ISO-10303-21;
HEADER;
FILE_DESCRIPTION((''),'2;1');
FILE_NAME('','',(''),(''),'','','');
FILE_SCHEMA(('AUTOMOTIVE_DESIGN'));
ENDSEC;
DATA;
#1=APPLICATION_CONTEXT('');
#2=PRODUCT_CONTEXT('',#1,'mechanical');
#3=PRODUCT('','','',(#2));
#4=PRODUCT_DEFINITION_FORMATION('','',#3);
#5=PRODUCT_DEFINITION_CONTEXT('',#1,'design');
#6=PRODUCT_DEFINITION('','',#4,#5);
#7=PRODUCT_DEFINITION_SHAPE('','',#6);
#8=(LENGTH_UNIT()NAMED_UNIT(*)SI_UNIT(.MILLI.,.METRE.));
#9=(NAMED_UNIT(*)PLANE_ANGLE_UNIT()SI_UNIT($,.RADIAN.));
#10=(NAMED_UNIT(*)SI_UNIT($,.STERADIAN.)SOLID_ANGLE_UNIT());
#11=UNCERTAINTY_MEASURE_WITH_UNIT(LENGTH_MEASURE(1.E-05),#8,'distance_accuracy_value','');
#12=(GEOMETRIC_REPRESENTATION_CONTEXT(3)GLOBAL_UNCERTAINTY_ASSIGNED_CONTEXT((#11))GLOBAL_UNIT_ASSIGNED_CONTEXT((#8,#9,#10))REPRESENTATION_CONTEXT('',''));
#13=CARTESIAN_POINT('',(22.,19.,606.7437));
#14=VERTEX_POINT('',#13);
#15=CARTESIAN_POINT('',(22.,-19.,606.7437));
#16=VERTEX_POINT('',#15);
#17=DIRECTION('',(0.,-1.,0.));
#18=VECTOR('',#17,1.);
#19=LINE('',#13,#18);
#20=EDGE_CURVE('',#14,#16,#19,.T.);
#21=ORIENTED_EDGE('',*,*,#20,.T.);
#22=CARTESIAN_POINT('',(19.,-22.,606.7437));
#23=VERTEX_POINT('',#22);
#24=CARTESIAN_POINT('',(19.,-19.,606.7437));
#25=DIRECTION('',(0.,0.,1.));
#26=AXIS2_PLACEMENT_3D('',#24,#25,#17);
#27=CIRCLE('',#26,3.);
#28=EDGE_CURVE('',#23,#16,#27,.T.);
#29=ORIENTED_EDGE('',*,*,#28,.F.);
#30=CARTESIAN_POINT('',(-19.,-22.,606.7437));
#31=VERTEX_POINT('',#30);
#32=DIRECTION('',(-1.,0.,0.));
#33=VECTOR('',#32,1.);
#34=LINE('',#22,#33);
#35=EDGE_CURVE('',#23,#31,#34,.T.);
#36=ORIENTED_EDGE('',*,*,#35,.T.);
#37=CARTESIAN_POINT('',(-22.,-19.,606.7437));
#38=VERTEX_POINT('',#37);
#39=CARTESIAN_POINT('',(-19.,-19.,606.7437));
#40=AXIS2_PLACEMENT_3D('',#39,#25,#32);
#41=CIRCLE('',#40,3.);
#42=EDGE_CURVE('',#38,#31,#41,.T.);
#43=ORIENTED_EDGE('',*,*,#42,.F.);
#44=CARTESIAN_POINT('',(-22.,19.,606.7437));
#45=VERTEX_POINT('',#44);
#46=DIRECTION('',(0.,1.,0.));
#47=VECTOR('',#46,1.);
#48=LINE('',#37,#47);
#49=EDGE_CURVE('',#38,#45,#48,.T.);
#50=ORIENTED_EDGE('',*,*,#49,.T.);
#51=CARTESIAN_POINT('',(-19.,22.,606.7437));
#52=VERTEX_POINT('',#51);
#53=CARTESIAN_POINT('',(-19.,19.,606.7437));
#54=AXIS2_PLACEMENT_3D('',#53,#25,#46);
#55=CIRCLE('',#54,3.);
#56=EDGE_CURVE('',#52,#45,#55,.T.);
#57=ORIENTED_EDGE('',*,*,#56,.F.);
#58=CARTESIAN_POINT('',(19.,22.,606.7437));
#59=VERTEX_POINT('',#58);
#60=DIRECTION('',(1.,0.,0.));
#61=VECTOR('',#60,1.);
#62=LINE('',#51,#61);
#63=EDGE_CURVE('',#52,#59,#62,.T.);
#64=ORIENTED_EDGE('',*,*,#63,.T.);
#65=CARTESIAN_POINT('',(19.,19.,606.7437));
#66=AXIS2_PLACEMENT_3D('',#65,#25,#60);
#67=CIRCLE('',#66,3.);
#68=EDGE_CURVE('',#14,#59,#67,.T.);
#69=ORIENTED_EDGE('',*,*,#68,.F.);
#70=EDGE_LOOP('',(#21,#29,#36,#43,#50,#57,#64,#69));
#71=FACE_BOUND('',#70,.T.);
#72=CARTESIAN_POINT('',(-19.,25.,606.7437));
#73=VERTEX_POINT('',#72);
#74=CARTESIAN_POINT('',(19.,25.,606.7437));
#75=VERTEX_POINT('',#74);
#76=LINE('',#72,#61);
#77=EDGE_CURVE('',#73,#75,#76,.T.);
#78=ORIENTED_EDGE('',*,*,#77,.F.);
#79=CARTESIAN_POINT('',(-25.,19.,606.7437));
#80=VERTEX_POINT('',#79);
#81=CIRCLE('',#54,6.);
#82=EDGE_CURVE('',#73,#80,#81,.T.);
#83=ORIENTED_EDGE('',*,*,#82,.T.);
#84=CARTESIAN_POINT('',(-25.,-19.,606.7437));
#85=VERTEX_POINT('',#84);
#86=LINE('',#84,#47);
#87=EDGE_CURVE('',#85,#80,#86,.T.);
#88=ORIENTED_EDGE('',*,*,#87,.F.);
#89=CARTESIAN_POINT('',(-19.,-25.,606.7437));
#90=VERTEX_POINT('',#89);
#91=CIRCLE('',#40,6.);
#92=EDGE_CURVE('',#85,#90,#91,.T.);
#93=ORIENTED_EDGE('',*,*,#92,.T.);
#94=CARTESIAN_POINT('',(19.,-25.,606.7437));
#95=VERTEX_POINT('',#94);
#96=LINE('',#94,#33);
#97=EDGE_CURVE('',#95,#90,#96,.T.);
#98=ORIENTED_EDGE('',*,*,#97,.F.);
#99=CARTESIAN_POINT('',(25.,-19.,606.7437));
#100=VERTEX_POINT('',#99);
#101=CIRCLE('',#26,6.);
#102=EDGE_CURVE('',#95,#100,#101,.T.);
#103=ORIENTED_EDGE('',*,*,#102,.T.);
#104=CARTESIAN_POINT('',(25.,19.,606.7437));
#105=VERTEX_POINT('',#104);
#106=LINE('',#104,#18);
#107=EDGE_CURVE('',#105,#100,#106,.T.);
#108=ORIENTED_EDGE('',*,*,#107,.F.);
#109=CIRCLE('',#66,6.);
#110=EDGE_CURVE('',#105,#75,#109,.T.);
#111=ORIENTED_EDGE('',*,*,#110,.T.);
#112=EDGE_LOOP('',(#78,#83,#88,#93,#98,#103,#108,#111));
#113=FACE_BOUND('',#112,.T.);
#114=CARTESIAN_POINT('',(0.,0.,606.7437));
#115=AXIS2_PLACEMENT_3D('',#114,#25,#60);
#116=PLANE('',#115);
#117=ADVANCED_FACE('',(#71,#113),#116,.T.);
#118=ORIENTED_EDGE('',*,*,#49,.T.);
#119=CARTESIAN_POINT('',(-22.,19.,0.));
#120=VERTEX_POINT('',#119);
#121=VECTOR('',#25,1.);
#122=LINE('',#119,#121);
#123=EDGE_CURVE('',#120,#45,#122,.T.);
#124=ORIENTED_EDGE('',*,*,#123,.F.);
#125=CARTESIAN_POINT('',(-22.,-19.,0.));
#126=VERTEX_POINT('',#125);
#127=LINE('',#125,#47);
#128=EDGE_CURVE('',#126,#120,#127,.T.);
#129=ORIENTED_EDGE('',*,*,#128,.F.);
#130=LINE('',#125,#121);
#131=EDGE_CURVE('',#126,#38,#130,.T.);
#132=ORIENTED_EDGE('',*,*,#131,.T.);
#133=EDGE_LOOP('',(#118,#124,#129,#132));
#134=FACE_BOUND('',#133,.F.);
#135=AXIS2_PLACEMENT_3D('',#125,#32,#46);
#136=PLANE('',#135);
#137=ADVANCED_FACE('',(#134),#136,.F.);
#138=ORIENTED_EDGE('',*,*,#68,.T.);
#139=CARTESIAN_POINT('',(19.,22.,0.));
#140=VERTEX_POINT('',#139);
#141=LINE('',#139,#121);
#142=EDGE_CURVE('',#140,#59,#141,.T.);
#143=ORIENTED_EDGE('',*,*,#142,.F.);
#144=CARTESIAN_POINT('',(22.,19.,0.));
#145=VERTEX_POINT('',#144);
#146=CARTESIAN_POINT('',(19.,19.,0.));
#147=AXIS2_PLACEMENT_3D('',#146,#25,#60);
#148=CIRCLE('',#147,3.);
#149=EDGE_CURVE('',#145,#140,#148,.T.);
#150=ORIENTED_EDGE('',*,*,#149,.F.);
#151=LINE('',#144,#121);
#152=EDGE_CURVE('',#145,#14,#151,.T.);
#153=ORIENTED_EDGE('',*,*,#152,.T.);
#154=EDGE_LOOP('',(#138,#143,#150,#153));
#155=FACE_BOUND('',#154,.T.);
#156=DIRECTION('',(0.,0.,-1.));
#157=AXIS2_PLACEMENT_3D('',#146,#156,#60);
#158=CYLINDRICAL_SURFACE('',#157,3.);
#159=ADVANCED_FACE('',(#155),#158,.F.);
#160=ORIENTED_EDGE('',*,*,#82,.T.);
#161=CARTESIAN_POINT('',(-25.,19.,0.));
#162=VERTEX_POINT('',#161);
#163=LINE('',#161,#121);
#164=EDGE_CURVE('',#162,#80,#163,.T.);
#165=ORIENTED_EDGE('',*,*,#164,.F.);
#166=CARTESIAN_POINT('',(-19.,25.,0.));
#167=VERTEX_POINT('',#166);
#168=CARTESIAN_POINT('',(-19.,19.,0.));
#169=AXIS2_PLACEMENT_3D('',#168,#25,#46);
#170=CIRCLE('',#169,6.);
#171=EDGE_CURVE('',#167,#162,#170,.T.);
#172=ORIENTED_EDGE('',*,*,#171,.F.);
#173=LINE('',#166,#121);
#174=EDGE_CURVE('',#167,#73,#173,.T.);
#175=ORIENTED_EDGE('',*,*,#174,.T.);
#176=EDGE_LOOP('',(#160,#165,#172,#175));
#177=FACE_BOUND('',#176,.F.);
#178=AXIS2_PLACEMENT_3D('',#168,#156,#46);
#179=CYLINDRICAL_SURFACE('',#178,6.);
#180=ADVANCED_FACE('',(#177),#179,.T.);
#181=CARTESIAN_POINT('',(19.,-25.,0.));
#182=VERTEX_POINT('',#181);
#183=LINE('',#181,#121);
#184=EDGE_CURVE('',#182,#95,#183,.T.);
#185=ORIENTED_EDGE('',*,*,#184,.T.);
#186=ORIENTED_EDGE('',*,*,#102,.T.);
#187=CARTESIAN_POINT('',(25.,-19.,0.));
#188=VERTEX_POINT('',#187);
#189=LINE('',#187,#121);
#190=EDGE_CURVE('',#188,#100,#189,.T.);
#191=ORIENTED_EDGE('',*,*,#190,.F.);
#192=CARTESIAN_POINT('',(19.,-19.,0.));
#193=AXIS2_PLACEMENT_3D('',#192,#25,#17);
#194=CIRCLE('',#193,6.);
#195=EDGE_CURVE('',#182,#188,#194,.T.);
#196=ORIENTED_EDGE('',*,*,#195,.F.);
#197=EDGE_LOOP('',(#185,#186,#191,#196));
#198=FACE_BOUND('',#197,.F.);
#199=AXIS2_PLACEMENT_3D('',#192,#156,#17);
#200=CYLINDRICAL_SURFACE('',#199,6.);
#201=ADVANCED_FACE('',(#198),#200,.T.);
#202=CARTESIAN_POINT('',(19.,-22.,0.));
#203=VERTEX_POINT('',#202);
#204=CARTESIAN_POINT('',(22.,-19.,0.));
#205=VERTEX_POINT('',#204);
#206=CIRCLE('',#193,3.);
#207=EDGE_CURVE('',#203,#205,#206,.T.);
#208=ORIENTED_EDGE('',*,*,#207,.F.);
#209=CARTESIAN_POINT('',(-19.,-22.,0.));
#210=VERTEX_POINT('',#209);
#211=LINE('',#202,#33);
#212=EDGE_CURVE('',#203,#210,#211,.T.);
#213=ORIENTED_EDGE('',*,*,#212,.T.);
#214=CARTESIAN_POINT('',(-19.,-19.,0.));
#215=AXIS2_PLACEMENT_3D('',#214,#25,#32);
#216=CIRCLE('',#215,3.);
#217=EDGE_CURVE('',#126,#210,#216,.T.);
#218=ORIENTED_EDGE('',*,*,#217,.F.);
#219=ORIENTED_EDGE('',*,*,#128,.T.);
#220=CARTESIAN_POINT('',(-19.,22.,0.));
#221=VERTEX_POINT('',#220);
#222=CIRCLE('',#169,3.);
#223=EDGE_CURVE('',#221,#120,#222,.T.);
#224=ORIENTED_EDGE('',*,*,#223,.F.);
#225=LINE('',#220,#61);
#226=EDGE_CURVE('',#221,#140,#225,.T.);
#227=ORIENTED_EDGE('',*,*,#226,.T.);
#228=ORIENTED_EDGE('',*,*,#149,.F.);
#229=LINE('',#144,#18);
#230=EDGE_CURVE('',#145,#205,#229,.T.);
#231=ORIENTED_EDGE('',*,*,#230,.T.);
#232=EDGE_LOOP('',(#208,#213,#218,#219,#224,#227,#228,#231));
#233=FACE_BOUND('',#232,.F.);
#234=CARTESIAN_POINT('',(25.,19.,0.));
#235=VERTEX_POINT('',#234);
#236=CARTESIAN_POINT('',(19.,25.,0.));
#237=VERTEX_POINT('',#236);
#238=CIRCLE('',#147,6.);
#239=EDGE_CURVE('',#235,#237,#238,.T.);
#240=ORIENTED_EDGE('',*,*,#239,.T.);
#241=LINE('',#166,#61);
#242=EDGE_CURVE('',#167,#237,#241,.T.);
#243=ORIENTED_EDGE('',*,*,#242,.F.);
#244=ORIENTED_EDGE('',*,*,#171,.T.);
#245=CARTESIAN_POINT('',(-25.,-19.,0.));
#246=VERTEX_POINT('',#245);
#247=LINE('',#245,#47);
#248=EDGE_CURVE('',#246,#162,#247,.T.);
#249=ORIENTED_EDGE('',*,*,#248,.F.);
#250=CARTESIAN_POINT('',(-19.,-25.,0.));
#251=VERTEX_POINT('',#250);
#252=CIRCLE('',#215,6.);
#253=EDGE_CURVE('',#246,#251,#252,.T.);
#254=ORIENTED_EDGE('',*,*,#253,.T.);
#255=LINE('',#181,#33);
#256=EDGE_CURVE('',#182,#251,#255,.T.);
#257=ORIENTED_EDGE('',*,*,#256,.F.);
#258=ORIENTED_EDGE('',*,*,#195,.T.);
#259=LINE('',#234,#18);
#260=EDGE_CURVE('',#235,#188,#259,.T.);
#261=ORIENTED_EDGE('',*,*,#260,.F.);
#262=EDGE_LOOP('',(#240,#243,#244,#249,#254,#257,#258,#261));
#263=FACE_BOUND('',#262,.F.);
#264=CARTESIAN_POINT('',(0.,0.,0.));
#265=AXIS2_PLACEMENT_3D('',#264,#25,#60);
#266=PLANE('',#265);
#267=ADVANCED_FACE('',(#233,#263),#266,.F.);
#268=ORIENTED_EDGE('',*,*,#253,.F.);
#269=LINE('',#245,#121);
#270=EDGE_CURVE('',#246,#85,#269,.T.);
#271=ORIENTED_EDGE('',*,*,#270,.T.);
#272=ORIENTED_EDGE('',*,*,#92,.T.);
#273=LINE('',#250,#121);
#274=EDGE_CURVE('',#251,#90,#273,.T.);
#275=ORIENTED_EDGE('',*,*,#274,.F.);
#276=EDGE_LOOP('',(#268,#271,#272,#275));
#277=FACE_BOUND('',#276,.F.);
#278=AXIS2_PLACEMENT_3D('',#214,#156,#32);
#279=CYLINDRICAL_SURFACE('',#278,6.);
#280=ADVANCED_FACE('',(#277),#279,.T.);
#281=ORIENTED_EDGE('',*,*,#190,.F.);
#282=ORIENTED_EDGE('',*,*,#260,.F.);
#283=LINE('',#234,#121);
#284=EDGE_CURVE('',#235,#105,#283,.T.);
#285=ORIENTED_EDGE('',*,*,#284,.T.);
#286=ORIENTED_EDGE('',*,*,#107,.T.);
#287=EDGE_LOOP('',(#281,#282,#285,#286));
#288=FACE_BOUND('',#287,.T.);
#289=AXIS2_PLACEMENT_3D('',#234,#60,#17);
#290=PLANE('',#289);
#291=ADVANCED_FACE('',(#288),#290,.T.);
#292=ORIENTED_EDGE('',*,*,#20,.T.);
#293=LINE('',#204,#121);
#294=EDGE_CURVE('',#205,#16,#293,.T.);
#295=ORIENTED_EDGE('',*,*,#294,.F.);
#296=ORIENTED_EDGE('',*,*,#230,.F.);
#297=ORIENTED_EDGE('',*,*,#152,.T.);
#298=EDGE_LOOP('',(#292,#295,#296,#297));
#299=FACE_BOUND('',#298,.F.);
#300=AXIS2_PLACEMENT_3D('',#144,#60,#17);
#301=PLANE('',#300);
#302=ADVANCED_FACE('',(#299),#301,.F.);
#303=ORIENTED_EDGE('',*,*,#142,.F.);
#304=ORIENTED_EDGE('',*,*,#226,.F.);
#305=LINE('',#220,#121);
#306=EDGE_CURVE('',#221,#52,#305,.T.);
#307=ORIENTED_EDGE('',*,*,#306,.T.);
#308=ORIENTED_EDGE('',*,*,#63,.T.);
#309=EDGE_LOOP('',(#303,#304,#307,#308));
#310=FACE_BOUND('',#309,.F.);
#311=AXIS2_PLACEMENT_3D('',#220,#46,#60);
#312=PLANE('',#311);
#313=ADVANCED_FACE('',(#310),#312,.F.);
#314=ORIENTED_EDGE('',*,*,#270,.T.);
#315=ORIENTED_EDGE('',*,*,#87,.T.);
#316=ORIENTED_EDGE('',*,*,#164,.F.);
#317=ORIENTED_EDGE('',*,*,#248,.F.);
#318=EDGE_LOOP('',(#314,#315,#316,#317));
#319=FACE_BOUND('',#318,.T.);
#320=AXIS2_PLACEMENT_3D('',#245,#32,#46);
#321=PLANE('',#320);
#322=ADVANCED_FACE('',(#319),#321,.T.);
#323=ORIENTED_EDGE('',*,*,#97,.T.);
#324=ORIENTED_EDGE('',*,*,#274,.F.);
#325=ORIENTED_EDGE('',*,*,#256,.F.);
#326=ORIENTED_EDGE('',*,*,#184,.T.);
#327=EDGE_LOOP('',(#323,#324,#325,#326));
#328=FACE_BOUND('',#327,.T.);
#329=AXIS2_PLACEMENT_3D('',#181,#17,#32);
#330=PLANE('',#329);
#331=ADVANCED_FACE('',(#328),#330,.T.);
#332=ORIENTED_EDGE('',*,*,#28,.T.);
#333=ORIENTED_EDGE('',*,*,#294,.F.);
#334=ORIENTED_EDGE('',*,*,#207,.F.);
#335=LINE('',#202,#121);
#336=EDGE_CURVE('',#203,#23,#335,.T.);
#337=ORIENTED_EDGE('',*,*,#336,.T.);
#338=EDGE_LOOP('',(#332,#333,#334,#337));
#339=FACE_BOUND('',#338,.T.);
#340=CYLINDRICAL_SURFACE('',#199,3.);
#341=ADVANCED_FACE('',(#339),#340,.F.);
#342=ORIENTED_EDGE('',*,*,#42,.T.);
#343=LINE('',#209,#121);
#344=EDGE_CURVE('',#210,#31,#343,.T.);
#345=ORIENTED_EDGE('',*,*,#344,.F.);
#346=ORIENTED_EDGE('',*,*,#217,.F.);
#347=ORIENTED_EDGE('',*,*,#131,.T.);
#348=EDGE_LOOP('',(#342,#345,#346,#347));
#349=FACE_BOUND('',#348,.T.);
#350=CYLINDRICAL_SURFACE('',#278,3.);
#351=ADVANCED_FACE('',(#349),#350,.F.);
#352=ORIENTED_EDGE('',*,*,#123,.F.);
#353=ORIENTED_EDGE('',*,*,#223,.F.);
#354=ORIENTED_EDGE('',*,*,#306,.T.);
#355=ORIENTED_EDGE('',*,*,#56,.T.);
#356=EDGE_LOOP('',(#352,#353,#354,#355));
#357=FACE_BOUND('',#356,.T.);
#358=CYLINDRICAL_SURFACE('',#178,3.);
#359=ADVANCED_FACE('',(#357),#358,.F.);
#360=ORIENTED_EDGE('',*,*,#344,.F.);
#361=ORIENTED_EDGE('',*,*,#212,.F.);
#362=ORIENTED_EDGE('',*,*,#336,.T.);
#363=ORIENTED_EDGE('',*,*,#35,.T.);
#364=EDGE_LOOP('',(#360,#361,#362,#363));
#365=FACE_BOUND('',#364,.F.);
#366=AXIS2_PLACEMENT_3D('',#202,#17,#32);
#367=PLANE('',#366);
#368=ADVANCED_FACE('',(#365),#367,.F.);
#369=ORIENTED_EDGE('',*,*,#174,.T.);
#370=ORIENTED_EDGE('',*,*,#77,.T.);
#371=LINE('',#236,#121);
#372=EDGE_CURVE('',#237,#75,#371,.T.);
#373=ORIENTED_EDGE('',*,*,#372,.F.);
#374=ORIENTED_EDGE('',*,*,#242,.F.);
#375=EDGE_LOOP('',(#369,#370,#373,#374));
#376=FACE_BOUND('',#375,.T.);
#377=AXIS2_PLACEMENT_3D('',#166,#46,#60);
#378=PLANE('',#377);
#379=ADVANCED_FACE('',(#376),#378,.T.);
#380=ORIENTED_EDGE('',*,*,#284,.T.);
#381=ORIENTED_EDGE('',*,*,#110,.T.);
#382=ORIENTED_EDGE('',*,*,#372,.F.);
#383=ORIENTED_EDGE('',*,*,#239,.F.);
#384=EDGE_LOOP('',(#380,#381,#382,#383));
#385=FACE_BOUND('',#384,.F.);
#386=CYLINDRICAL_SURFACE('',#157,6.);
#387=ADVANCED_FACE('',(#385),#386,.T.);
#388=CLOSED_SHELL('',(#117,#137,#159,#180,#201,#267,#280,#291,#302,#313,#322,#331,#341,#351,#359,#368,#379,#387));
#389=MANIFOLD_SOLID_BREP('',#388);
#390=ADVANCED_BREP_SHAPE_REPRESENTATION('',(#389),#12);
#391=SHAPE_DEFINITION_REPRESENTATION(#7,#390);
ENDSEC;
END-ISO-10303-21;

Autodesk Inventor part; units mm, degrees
ref_plane "YZ Plane" through (0, 0, 0) normal (1, 0, 0) x (0, 1, 0)
ref_plane "Start Plane" through (0, 0, 0) normal (0, 0, 1) x (1, 0, 0)
ref_plane "End Plane" through (0, 0, 606.7437) normal (0, 0, 1) x (1, 0, 0)
sketch "Sketch" plane through (0, 0, 0) normal (0, 0, 1) x (1, 0, 0)
  line L0 (-25, -19) -> (-25, 19)
  line L1 (-19, 25) -> (19, 25)
  line L2 (25, 19) -> (25, -19)
  line L3 (19, -25) -> (-19, -25)
  arc A0 (-25, -19) -> (-19, -25) centre (-19, -19) ccw
  arc A1 (25, 19) -> (19, 25) centre (19, 19) ccw
  arc A2 (-19, 25) -> (-25, 19) centre (-19, 19) ccw
  arc A3 (19, -25) -> (25, -19) centre (19, -19) ccw
  arc A4 (-19, 22) -> (-22, 19) centre (-19, 19) ccw
  line L4 (-19, 22) -> (19, 22)
  arc A5 (22, 19) -> (19, 22) centre (19, 19) ccw
  line L5 (22, 19) -> (22, -19)
  arc A6 (19, -22) -> (22, -19) centre (19, -19) ccw
  line L6 (19, -22) -> (-19, -22)
  arc A7 (-22, -19) -> (-19, -22) centre (-19, -19) ccw
  line L7 (-22, -19) -> (-22, 19)
  line L8 (0, 36.7397) -> (0, -36.7397) construction
  line L9 (-36.7397, 0) -> (36.7397, 0) construction
  dimension "d7" = 6
  dimension "d9" = 50
  dimension "d11" = 50
  dimension "d12" = 3
  dimension "d15" = 25
  dimension "d16" = 25
extrude "Body" add sketch "Sketch" along normal up to surface (606.7437 mm away) from surface at 0
sketch "Sketch3" plane through (0, 0, 0) normal (0, 0, 1) x (1, 0, 0)
  line L0 (0, 0) -> (10, 0)
ref_plane "Work Plane3" through (0, 0, 0) normal (0, -1, 0) x (1, 0, 0)
sketch "Sketch4" plane through (0, 0, 0) normal (0, -1, 0) x (1, 0, 0)
  line L0 (-2, 0) -> (12, 0) projected
  line L1 (-2, 606.7437) -> (12, 606.7437) projected
  dimension "d18" = 606.7437
equation "\"d7\" = G_IR"
equation "\"d9\" = G_W"
equation "\"d11\" = G_H"
equation "\"d12\" = G_T"
equation "\"d15\" = 0.5 * d9"
equation "\"d16\" = 0.5 * d11"
equation "\"d3\" = G_L"
equation "\"G_W\" = 50"
equation "\"G_H\" = 50"
equation "\"G_T\" = 3"
equation "\"G_IR\" = 6"
equation "\"G_L\" = d18"
equation "\"G_OFFSET_START\" = 0"
equation "\"G_OFFSET_END\" = 0"
equation "\"d14\" = G_OFFSET_END + B_L"
equation "\"B_L\" = 606.74366"
properties part number "ISO 10799-2 - 50x50x3 - 606,74" material "Steel, Mild"
